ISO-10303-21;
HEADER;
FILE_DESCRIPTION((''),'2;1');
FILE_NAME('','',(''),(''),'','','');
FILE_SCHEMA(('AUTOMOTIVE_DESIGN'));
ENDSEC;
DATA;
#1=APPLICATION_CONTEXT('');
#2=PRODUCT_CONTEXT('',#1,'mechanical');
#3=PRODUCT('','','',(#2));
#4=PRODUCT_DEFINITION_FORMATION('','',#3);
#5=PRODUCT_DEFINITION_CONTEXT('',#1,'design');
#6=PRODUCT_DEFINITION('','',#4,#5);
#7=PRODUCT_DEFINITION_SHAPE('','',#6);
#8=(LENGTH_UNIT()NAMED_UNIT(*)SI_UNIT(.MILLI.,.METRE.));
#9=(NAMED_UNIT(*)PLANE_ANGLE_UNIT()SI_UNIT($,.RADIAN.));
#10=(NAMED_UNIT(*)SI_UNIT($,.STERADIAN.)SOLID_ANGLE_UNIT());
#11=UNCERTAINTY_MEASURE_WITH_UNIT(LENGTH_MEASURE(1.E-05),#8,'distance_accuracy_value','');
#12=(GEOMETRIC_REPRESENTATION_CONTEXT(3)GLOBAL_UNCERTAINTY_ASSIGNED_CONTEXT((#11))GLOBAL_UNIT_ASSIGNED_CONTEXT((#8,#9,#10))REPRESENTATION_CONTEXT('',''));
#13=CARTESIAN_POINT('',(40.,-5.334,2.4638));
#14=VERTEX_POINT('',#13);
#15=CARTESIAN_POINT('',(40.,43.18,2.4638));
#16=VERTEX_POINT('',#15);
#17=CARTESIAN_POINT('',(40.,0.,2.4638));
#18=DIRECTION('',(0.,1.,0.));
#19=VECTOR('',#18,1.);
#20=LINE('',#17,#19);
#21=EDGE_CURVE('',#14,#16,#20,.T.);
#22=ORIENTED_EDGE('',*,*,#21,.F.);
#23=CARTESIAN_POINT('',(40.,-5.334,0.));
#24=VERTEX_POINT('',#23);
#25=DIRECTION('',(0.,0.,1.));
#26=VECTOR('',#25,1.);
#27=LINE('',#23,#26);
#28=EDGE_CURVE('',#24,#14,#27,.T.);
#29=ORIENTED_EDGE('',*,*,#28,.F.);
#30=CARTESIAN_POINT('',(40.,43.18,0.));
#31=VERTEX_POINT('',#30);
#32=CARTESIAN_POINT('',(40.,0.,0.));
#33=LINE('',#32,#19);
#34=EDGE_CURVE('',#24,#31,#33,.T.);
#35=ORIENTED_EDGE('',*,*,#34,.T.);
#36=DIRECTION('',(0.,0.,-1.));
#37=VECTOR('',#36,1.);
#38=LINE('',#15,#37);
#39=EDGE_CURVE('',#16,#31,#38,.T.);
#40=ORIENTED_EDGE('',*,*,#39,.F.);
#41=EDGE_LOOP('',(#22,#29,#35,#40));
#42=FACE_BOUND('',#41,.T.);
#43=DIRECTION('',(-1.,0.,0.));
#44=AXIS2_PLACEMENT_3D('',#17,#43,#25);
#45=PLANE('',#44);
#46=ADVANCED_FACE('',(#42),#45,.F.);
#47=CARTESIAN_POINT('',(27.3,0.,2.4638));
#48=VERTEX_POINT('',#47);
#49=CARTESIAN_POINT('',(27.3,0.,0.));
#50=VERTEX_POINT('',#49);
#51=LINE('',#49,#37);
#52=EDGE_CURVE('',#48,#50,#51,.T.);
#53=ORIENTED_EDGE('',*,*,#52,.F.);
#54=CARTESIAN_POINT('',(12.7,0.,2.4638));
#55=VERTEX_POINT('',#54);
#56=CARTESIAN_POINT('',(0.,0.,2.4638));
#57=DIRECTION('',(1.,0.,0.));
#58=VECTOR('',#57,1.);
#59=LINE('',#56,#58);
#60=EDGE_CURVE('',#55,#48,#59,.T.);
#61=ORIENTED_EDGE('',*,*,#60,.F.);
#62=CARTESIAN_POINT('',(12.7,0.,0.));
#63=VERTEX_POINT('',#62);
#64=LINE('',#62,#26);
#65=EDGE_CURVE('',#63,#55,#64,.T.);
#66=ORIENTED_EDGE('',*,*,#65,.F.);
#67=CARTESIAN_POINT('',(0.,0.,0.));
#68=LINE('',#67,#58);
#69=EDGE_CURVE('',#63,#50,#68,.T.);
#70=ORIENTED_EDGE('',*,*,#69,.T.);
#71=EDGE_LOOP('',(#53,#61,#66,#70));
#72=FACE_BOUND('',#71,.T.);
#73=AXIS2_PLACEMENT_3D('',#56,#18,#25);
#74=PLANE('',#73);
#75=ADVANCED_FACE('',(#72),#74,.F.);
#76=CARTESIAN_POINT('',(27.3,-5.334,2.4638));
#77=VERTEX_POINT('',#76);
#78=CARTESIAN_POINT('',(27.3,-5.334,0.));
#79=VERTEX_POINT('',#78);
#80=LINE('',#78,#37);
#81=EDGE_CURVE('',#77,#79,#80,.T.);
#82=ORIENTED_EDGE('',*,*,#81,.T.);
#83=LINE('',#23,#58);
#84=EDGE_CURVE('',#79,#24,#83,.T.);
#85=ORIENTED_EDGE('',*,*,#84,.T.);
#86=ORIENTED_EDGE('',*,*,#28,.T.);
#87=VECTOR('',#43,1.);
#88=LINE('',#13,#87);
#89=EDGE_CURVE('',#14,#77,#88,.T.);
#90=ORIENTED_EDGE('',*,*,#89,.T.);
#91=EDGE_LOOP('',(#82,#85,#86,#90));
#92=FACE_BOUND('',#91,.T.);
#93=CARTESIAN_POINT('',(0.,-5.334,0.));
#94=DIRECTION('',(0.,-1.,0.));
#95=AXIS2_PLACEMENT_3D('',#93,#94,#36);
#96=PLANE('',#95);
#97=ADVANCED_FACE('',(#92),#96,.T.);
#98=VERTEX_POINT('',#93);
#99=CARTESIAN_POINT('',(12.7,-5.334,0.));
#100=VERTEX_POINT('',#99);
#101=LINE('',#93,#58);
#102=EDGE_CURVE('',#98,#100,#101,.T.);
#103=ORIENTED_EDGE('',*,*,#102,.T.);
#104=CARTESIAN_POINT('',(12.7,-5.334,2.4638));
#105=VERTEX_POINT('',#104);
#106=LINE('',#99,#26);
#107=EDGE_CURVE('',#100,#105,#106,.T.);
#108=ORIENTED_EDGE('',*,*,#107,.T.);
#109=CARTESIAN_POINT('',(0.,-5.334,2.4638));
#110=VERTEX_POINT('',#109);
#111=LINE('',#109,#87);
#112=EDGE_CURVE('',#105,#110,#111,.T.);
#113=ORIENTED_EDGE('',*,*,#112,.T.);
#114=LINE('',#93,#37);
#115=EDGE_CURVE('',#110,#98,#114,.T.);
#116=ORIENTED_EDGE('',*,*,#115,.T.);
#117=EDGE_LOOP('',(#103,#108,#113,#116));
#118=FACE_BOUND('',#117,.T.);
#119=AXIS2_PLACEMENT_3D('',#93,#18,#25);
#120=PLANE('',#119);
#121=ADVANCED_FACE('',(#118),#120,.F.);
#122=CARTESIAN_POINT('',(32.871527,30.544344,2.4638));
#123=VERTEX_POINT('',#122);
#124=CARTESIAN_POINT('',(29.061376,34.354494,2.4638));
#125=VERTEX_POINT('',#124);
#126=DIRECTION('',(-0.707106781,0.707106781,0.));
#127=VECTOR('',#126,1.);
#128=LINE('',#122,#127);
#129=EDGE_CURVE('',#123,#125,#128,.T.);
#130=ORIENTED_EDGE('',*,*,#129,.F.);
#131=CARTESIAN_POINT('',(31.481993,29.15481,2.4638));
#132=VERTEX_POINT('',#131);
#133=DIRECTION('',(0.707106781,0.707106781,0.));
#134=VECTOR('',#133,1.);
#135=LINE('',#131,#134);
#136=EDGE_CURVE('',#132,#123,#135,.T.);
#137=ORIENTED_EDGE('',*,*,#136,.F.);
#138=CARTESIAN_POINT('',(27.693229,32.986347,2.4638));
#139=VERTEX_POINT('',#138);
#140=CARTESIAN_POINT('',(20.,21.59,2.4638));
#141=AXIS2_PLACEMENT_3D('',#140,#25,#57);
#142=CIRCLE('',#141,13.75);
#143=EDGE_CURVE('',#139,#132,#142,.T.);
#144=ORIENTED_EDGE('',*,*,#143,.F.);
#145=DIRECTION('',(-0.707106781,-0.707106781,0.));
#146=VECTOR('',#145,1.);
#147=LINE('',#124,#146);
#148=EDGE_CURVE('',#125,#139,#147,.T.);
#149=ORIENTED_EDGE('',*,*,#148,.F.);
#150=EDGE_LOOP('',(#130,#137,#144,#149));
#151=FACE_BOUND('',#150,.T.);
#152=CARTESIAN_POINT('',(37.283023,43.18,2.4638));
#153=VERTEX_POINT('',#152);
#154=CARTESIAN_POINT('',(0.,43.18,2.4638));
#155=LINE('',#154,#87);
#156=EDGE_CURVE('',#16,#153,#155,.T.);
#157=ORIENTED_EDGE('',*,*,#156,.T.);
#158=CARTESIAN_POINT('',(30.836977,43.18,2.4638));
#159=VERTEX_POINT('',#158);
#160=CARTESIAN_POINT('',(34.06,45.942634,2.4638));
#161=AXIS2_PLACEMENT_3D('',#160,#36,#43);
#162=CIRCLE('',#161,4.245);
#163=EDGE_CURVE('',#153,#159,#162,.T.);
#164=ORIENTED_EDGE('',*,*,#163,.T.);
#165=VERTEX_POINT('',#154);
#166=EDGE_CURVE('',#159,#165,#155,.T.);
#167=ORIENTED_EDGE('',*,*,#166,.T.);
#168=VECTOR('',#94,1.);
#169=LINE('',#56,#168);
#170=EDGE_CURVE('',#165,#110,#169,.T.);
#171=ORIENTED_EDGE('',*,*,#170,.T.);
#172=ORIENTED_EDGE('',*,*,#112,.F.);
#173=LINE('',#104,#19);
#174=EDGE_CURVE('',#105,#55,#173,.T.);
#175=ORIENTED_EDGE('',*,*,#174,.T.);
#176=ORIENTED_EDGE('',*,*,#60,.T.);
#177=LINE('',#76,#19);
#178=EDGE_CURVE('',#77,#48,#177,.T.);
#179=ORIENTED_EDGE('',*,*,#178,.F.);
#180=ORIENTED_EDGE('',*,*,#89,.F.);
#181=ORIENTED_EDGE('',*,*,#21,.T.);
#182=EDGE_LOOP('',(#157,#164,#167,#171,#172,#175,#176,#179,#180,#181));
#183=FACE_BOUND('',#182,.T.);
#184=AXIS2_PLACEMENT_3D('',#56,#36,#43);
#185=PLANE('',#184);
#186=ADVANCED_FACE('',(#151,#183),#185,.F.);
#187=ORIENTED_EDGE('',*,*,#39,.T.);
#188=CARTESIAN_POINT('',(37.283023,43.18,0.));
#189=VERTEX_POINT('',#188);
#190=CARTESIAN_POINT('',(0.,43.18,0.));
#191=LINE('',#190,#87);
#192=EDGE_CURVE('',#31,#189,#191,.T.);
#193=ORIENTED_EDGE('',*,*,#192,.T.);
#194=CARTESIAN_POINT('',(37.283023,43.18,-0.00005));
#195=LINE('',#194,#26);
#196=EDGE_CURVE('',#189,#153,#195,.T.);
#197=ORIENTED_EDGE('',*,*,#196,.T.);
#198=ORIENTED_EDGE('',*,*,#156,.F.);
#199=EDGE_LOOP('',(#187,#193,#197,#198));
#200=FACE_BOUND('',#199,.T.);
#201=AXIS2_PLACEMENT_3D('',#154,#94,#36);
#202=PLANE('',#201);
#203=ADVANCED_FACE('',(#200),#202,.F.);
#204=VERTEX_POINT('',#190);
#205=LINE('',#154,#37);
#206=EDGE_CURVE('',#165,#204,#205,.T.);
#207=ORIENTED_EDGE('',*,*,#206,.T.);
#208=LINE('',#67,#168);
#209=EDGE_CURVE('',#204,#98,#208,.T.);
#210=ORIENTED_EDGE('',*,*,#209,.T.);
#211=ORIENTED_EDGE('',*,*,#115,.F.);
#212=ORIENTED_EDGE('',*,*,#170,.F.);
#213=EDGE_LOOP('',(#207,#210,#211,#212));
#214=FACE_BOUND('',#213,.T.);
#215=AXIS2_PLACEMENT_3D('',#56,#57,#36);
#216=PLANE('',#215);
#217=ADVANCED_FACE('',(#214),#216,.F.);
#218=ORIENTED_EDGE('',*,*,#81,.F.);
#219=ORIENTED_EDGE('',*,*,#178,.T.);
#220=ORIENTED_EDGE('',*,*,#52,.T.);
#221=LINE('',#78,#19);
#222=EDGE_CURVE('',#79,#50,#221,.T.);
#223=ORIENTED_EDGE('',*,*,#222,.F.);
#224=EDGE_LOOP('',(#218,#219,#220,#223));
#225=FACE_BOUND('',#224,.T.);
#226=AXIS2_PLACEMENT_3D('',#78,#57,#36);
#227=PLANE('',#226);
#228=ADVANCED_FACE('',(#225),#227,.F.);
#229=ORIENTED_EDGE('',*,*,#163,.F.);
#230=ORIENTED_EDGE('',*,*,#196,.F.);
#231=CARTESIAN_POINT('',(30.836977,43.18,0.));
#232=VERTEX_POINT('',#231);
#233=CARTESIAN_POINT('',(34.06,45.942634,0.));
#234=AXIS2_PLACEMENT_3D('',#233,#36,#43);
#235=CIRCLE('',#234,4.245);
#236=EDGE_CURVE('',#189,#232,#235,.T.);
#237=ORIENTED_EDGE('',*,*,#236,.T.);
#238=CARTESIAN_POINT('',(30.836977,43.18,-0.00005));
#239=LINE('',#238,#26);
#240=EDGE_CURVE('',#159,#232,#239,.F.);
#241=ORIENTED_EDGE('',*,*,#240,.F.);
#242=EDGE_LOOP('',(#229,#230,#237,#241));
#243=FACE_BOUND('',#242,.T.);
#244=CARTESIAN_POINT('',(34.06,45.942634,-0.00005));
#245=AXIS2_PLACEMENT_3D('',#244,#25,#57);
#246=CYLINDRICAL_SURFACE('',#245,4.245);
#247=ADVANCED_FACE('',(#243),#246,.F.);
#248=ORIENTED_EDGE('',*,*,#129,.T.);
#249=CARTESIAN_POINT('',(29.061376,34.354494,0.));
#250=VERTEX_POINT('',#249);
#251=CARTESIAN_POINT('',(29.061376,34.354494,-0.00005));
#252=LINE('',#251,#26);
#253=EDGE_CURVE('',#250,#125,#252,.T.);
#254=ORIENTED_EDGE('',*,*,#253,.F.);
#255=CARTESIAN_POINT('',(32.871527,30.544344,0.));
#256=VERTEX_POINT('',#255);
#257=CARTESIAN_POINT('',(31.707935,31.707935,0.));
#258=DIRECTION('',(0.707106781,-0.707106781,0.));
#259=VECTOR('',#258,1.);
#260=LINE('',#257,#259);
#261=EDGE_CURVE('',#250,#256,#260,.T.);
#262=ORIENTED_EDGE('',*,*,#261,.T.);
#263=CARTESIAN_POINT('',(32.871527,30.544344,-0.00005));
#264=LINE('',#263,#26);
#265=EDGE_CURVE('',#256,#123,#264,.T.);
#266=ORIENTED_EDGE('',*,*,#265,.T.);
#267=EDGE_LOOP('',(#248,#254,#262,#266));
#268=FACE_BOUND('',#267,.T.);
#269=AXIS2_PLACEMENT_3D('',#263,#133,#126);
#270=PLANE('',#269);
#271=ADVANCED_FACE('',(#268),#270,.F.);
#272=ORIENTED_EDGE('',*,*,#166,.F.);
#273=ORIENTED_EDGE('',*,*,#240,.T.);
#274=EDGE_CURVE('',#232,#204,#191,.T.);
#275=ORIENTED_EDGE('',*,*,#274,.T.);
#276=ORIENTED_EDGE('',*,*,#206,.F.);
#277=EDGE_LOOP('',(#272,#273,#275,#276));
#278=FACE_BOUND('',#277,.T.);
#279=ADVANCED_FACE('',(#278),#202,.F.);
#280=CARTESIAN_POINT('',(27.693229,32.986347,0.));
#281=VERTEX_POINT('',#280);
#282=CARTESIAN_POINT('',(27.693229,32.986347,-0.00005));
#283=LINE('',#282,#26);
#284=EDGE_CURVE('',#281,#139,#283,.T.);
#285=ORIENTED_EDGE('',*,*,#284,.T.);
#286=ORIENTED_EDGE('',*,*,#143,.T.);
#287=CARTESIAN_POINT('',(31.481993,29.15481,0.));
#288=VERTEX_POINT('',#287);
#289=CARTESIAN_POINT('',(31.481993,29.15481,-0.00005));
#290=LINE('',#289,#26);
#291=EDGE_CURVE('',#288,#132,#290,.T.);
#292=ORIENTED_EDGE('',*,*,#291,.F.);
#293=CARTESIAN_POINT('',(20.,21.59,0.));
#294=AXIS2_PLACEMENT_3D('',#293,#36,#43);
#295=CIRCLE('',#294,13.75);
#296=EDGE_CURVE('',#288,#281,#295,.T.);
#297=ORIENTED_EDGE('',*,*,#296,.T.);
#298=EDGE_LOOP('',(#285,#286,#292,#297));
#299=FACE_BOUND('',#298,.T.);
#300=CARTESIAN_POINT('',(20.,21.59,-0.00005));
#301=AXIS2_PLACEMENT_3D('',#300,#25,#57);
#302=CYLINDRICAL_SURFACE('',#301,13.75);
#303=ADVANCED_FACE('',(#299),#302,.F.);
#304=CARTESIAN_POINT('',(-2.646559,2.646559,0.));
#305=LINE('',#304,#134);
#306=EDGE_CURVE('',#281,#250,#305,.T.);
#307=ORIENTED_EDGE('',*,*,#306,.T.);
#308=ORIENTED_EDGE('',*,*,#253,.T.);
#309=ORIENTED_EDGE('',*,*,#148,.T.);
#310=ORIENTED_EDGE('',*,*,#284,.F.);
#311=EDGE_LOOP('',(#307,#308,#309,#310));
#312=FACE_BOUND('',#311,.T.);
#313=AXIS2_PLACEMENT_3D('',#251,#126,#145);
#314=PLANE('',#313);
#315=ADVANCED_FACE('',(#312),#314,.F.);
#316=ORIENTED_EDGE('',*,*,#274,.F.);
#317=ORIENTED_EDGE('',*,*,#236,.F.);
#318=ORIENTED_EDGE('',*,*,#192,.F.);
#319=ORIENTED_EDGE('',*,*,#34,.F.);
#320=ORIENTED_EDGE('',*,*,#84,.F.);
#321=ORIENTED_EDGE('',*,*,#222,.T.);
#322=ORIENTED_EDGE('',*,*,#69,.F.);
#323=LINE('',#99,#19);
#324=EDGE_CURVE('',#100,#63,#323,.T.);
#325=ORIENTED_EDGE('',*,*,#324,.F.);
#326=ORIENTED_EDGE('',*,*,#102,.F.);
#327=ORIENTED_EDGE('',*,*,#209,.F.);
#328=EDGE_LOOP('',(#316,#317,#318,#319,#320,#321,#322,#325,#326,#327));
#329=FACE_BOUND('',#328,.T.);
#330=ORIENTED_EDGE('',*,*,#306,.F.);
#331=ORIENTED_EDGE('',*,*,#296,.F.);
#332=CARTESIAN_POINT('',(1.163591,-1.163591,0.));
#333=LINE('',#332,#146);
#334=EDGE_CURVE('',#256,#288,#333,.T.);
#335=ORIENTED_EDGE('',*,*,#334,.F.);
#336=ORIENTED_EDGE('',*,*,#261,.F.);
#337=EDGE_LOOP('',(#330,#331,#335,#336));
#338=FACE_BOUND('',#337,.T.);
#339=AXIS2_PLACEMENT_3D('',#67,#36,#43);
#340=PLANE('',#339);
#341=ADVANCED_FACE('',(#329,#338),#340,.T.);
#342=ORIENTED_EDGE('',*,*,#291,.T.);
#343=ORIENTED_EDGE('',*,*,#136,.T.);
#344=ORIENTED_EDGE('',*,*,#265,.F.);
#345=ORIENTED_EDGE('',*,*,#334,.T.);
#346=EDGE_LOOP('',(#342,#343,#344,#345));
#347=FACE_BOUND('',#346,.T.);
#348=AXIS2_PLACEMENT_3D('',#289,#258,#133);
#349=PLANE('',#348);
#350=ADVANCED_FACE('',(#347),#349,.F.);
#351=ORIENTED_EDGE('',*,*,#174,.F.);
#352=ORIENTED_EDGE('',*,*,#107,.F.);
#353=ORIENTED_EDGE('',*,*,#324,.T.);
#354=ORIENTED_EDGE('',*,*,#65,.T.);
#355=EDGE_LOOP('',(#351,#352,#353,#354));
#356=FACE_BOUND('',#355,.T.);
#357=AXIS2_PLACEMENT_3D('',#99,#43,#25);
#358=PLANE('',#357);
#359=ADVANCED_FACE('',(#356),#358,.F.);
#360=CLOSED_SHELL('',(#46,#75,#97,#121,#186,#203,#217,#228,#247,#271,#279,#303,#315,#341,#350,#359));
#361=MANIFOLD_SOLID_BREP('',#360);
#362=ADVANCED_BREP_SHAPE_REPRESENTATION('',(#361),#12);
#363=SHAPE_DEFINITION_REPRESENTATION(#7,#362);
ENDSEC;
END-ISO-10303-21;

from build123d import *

# Parameters (mm, degrees)
SKETCH1_W          = 40
SKETCH1_H          = 43.18
BASE_DEPTH         = 2.4638
SKETCH2_W          = 12.7
SKETCH2_H          = 2.4638
BOTTOM_TABS_DEPTH  = 5.334
MOUNT_POINTS_DEPTH = 59.911651737
SKETCH6_R          = 4.245
CUT_EXTRUDE2_DEPTH = 66.894365141


with BuildPart() as part:
    # Sketch1 → Base (new body)
    with BuildSketch(Plane.XY):
        with Locations((20, 21.59)):
            Rectangle(SKETCH1_W, SKETCH1_H)
    extrude(amount=BASE_DEPTH)

    # Sketch2 → Bottom Tabs (add)
    with BuildSketch(Plane.XZ):
        with Locations((6.35, 1.2319)):
            Rectangle(SKETCH2_W, SKETCH2_H)
        with Locations((33.65, 1.2319)):
            Rectangle(SKETCH2_W, SKETCH2_H)
    extrude(amount=BOTTOM_TABS_DEPTH)

    # Sketch4 → Mount Points (cut, through all)
    with BuildSketch(Plane.XY.offset(2.4638)):
        with BuildLine():
            Line((31.481992586, 29.154809731), (32.871526584, 30.54434373))
            Line((32.871526584, 30.54434373), (29.061376273, 34.354494041))
            Line((29.061376273, 34.354494041), (27.693229207, 32.986346975))
            ThreePointArc((27.693229207, 32.986346975), (10.22286074, 11.922009108), (31.481992586, 29.154809731))
        make_face()
    extrude(amount=-MOUNT_POINTS_DEPTH, mode=Mode.SUBTRACT)

    # Sketch6 → Cut-Extrude2 (cut, through all)
    with BuildSketch(Plane(origin=(18.246403628, 22.293576812, 55.7276), x_dir=(1, 0, 0), z_dir=(0, 0, 1))):
        with Locations((15.813596372, 23.649057543)):
            Circle(SKETCH6_R)
    extrude(amount=-CUT_EXTRUDE2_DEPTH, mode=Mode.SUBTRACT)


solid = part.part
